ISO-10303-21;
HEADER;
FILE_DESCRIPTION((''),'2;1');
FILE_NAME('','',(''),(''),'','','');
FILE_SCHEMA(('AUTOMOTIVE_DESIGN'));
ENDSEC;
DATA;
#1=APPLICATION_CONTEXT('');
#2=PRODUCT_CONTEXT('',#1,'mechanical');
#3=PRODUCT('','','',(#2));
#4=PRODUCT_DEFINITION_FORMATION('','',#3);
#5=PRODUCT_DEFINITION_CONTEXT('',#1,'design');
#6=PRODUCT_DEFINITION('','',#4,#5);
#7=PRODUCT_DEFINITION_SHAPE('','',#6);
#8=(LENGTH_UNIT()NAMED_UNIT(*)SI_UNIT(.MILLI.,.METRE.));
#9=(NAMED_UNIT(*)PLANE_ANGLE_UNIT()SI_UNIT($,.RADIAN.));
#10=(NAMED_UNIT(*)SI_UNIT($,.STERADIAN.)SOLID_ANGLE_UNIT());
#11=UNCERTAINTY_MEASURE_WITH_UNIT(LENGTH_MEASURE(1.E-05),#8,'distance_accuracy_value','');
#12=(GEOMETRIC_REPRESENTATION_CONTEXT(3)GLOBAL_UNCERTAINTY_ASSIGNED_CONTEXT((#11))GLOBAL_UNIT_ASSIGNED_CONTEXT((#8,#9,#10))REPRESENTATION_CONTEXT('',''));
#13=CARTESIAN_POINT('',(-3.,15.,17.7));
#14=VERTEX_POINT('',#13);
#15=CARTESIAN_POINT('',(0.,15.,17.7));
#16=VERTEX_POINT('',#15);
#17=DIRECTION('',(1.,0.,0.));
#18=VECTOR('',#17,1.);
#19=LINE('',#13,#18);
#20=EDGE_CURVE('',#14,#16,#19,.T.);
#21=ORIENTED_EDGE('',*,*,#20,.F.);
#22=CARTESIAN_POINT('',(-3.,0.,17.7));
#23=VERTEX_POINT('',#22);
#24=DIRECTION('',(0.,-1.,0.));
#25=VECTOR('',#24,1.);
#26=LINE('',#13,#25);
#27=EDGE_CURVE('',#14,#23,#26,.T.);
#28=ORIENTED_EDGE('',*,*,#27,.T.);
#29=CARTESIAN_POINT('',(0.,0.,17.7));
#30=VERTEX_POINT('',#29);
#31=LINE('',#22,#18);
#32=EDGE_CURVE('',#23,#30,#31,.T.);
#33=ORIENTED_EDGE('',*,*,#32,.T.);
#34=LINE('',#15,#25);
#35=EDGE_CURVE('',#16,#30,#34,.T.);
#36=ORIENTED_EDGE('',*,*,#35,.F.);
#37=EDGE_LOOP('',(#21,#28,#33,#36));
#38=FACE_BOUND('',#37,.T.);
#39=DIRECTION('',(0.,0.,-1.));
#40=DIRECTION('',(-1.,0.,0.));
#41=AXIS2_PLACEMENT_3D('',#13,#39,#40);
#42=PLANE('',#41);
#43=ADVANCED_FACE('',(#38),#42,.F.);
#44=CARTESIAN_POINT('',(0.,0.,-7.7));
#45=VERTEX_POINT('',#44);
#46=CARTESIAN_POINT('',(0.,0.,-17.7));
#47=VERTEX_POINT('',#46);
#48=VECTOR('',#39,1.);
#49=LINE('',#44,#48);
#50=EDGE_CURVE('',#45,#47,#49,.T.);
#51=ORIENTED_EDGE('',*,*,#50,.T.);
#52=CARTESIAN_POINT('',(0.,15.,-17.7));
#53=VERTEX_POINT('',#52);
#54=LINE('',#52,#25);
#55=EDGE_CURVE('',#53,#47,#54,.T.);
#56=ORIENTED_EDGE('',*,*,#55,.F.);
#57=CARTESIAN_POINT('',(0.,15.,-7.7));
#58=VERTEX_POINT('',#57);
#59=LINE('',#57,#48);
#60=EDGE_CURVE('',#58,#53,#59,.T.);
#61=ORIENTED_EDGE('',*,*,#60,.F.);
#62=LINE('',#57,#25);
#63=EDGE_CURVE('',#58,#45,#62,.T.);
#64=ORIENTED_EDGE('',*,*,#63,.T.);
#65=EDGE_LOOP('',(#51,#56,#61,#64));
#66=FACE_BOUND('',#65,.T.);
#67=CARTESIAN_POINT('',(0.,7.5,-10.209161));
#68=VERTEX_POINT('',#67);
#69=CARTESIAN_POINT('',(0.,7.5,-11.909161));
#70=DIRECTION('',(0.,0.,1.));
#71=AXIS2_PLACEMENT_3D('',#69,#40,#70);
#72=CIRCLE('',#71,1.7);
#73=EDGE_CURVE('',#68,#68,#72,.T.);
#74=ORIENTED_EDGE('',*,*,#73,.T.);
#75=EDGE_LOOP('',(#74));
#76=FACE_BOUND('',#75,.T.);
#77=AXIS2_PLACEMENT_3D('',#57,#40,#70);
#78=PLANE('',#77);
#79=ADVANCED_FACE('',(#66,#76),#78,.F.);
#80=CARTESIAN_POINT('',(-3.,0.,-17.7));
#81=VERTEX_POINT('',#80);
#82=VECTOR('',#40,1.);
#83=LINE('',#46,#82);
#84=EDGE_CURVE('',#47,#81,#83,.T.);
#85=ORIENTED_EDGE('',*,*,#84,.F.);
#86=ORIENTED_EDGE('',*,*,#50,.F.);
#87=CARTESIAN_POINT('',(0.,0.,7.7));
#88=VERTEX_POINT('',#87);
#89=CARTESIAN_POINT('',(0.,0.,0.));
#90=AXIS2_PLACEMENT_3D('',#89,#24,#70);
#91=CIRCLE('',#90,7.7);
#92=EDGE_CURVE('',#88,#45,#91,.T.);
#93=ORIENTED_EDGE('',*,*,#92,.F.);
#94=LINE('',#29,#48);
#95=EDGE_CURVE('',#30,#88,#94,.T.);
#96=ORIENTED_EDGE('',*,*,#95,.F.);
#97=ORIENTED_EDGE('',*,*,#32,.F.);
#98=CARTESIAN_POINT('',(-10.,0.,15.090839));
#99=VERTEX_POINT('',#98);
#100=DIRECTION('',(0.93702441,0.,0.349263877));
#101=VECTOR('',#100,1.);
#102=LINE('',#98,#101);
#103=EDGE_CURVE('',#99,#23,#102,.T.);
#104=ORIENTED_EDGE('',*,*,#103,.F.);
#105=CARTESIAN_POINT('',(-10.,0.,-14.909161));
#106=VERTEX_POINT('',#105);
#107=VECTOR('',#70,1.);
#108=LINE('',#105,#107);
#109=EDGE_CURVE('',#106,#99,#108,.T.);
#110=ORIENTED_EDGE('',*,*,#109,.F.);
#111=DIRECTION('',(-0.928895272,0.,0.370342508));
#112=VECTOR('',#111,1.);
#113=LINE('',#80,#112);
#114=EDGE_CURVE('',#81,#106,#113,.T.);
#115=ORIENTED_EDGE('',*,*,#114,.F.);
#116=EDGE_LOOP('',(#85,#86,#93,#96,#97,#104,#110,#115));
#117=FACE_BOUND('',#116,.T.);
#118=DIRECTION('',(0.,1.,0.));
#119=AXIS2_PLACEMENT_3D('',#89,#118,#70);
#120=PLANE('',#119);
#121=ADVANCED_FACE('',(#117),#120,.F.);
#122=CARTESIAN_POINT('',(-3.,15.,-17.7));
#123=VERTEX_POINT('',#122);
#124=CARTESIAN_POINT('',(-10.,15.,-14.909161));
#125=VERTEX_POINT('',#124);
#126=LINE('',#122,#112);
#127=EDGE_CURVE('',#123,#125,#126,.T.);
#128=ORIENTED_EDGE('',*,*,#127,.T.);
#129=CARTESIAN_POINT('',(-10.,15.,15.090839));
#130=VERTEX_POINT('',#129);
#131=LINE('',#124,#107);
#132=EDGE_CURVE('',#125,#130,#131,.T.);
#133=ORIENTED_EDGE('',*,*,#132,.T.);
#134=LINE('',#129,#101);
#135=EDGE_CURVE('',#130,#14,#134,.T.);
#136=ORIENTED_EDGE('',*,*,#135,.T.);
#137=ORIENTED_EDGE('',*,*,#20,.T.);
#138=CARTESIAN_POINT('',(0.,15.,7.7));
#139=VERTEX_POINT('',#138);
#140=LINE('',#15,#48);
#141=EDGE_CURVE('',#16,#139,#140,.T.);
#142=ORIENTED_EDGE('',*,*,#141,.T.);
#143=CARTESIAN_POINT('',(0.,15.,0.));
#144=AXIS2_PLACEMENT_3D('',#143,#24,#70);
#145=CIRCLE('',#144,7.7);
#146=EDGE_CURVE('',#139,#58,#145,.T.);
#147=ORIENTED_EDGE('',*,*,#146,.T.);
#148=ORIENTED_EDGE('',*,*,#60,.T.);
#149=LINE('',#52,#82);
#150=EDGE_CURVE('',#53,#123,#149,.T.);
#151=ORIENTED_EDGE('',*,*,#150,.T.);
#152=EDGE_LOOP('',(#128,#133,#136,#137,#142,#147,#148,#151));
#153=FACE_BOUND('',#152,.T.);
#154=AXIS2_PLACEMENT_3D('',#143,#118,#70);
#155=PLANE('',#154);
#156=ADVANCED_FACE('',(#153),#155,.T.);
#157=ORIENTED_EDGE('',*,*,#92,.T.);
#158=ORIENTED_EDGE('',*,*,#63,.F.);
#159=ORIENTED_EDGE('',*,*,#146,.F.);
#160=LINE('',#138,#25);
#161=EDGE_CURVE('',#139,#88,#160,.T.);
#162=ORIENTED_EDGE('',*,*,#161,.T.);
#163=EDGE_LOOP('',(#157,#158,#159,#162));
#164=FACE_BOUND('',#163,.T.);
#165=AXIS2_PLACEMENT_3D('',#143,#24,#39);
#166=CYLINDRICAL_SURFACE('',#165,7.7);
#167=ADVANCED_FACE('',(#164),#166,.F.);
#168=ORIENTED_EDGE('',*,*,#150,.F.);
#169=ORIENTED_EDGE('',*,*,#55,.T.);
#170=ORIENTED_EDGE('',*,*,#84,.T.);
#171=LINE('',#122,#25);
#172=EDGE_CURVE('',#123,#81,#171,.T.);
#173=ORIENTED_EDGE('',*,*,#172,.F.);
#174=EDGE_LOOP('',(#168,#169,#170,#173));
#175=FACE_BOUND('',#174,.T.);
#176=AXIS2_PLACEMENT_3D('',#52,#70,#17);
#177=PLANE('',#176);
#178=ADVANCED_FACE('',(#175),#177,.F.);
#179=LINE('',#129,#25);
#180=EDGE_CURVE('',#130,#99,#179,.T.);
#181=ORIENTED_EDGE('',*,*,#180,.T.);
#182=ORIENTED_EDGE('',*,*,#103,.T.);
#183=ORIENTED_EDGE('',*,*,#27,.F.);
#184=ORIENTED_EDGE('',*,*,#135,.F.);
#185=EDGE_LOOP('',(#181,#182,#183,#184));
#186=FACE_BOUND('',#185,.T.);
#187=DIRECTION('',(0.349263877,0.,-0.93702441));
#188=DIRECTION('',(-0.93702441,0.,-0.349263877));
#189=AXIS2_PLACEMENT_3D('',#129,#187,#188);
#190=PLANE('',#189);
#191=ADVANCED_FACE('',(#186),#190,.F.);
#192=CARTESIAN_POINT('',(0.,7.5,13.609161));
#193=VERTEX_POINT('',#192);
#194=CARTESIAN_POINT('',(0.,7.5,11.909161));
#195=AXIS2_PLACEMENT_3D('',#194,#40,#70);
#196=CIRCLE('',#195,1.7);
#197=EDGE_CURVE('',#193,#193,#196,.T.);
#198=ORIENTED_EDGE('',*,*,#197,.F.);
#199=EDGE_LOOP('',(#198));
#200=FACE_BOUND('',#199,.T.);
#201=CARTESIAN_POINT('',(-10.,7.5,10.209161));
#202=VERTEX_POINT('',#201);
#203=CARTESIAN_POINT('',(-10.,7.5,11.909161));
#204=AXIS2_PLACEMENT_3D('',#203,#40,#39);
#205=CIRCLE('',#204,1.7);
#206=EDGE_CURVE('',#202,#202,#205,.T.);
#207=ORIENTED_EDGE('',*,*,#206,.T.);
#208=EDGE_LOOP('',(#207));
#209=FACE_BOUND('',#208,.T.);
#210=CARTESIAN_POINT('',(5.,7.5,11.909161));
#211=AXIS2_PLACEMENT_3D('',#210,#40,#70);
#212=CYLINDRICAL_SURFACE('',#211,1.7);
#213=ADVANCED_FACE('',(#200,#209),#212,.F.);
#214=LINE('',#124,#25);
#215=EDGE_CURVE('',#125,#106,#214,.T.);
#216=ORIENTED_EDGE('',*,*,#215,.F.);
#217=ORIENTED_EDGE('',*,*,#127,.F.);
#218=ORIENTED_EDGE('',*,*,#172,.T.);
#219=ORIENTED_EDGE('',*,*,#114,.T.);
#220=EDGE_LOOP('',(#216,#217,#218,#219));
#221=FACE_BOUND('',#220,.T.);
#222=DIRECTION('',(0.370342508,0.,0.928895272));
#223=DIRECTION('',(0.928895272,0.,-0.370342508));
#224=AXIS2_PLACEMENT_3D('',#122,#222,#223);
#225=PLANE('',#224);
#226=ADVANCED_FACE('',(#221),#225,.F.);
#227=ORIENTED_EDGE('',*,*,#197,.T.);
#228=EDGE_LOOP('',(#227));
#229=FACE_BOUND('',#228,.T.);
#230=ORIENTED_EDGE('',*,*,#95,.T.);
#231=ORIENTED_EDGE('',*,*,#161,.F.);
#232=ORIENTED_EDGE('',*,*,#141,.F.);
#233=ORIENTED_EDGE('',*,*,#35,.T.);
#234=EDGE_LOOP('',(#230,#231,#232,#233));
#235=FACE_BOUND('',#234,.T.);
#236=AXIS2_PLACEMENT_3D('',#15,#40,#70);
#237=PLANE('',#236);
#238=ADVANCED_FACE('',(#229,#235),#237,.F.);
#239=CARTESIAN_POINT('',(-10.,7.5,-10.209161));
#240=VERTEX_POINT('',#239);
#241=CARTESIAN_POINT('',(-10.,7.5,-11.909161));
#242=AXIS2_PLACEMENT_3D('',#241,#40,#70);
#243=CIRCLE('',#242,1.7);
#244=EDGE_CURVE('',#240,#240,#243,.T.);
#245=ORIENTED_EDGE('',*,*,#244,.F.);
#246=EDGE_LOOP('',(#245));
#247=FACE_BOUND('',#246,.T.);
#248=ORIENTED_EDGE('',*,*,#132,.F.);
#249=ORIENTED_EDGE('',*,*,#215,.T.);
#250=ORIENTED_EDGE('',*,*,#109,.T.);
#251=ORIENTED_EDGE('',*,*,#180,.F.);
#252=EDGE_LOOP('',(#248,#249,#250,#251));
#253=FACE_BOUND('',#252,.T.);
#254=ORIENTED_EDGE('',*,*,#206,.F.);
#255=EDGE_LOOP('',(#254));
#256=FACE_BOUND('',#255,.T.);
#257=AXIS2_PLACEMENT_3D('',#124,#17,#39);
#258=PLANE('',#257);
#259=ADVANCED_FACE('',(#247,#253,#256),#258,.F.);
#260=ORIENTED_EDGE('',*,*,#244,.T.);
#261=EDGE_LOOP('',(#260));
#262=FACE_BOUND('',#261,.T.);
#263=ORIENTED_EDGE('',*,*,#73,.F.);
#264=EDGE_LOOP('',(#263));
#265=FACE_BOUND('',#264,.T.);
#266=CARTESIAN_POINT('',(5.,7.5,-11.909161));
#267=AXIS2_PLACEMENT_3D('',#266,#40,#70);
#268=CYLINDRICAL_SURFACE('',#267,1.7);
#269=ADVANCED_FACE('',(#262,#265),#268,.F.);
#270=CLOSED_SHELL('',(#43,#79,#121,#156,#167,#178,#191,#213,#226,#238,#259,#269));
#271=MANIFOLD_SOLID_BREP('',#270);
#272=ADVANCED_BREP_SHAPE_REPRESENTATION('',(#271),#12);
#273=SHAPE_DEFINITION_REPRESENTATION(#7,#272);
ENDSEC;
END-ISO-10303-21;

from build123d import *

# Parameters (mm, degrees)
BOSS_EXTRUDE1_DEPTH = 15
SKETCH2_R           = 1.7
CUT_EXTRUDE1_DEPTH  = 15


with BuildPart() as part:
    # Sketch1 → Boss-Extrude1 (new body)
    with BuildSketch(Plane(origin=(0, 0, 0), x_dir=(1, 0, 0), z_dir=(0, 1, 0))):
        with BuildLine():
            Line((0, 7.7), (0, 17.7))
            Line((0, 17.7), (-3, 17.7))
            Line((-3, 17.7), (-10, 14.909160565))
            Line((-10, 14.909160565), (-10, -15.090839435))
            Line((-10, -15.090839435), (-3, -17.7))
            Line((-3, -17.7), (0, -17.7))
            Line((0, -17.7), (0, -7.7))
            ThreePointArc((0, -7.7), (-7.7, 0), (0, 7.7))
        make_face()
    extrude(amount=BOSS_EXTRUDE1_DEPTH)

    # Sketch2 → Cut-Extrude1 (cut)
    with BuildSketch(Plane.ZY.offset(10)):
        with Locations((-11.909160565, 7.5)):
            Circle(SKETCH2_R)
        with Locations((11.909160565, 7.5)):
            Circle(SKETCH2_R)
    extrude(amount=-CUT_EXTRUDE1_DEPTH, mode=Mode.SUBTRACT)


solid = part.part
